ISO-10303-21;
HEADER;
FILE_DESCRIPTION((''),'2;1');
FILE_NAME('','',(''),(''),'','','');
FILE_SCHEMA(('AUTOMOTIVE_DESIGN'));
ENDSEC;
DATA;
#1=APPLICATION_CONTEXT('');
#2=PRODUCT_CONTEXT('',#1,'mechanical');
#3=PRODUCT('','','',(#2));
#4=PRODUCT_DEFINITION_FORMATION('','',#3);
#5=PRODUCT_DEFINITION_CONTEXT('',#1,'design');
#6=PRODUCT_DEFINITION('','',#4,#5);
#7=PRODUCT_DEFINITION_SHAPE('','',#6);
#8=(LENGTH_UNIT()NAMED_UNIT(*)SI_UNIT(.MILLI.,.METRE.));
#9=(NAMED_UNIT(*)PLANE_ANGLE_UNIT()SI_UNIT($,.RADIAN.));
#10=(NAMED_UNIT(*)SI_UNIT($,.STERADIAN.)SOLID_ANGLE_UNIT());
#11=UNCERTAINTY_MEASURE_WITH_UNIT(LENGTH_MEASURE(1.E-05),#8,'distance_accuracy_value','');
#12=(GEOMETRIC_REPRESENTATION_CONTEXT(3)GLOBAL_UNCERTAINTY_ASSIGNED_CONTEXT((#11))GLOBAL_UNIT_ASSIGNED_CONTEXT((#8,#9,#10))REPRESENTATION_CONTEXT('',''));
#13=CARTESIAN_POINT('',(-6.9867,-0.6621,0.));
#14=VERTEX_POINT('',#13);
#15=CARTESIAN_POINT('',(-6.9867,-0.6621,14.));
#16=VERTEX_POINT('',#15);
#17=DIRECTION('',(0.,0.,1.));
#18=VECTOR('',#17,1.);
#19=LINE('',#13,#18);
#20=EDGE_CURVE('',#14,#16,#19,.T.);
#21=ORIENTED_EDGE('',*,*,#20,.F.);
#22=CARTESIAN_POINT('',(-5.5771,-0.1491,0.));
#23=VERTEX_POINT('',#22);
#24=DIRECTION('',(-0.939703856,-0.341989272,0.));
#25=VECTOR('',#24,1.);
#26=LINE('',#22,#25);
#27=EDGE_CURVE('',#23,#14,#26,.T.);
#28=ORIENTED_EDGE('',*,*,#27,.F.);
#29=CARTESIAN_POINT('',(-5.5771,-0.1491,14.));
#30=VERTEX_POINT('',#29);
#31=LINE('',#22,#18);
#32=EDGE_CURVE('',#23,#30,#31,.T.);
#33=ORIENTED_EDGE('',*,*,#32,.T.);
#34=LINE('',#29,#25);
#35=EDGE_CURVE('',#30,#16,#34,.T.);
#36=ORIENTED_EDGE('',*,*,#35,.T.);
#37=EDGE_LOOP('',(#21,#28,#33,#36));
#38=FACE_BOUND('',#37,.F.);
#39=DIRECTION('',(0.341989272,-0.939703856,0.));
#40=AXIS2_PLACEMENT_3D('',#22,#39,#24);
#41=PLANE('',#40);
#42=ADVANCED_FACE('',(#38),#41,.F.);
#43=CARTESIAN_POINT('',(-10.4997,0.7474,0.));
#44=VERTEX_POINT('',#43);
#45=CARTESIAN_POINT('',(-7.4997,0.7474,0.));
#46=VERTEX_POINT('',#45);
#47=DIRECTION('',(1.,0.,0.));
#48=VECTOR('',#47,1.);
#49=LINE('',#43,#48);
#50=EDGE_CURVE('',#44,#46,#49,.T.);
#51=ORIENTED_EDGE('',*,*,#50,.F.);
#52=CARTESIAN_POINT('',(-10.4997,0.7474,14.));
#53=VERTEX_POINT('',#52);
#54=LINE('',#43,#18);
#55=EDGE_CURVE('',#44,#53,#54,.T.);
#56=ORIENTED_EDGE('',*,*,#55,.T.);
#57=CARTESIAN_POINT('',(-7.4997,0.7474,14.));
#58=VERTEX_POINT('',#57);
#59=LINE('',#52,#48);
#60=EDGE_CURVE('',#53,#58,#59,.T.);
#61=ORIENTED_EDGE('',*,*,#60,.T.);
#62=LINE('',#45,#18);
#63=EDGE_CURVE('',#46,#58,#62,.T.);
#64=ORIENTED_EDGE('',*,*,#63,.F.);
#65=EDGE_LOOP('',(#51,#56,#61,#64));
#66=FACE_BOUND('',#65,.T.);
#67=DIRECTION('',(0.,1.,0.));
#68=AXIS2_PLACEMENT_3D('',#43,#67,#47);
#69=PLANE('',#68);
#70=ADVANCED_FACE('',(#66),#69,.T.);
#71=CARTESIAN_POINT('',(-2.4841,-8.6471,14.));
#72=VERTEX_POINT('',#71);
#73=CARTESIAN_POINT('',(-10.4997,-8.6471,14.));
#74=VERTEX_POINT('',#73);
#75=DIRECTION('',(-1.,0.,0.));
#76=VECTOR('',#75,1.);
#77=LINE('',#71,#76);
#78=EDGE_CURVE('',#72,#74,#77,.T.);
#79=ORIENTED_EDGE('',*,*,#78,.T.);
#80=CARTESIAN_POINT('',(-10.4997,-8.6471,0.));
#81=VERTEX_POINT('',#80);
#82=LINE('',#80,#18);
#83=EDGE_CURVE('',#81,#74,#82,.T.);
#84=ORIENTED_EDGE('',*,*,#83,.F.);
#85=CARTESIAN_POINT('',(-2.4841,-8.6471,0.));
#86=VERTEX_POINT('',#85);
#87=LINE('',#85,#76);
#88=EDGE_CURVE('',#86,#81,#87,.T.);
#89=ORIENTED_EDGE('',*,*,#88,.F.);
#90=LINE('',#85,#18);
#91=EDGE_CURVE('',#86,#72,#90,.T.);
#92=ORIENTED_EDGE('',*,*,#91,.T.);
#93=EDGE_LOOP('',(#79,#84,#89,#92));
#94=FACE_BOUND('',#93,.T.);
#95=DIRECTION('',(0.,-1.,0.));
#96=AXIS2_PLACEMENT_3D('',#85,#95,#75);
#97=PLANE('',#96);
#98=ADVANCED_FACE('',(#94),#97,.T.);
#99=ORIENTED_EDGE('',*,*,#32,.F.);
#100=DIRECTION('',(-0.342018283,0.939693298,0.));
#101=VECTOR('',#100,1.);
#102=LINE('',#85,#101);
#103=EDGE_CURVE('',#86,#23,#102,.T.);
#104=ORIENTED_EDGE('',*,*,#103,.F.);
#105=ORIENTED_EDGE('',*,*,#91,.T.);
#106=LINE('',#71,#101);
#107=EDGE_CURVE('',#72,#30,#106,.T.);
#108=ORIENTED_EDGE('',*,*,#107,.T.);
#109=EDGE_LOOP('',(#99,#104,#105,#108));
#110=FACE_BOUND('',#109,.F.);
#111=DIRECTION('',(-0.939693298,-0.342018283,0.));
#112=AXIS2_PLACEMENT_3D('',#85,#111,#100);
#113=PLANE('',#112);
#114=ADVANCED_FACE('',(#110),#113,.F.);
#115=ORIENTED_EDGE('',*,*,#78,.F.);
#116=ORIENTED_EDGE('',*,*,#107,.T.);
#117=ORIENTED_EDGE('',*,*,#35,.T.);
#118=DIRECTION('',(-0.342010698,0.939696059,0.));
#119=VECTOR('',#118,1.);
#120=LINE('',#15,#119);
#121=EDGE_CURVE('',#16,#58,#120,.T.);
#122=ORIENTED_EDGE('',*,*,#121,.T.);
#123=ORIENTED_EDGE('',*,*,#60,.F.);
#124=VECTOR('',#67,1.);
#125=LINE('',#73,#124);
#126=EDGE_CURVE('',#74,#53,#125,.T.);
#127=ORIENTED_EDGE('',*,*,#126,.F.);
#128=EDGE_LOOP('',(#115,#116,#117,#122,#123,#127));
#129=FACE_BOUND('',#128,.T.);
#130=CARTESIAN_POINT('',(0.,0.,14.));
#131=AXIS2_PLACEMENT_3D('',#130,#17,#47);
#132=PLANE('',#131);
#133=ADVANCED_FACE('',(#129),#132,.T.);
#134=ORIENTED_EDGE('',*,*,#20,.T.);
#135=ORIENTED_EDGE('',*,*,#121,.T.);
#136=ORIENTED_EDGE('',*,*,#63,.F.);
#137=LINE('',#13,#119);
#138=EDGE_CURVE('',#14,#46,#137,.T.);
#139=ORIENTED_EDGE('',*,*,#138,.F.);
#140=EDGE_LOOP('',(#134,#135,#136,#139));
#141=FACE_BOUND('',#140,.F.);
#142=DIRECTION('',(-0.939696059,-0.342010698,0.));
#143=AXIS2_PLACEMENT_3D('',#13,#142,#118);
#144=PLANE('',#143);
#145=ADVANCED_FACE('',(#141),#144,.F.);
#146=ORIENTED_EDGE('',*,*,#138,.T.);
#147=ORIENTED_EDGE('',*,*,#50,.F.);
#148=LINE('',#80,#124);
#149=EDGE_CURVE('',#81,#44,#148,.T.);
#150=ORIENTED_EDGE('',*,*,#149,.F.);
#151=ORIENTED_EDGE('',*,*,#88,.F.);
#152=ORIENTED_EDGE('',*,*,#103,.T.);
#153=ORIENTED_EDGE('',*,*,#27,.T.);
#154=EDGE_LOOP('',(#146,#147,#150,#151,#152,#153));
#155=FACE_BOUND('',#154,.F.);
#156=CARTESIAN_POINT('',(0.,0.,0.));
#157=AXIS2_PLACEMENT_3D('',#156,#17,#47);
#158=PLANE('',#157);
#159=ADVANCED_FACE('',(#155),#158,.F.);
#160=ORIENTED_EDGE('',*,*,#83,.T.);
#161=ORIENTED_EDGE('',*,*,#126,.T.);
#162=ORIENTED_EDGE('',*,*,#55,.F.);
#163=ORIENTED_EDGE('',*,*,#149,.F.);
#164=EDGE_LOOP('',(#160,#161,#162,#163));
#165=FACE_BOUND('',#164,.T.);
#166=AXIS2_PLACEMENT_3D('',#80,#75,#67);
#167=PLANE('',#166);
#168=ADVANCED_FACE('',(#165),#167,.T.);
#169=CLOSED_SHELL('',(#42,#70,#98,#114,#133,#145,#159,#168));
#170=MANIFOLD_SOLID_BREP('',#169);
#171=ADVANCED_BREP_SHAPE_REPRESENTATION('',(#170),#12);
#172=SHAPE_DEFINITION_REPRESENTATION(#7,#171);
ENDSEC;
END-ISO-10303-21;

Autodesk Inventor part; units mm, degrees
ref_plane "YZ Plane" through (0, 0, 0) normal (1, 0, 0) x (0, 1, 0)
ref_plane "XZ Plane" through (0, 0, 0) normal (0, 1, 0) x (-1, 0, 0)
ref_plane "XY Plane" through (0, 0, 0) normal (0, 0, 1) x (1, 0, 0)
sketch "Sketch1" plane through (0, 0, 0) normal (0, 0, 1) x (1, 0, 0)
  line L0 (-5.5771, -0.1491) -> (-6.9867, -0.6621)
  line L1 (-6.9867, -0.6621) -> (-7.4997, 0.7474)
  line L2 (-2.4841, -8.6471) -> (-10.4997, -8.6471)
  line L3 (-10.4997, -8.6471) -> (-10.4997, 0.7474)
  line L4 (-10.4997, 0.7474) -> (-7.4997, 0.7474)
  line L5 (-2.4841, -8.6471) -> (-5.5771, -0.1491)
  dimension "d8" = 3
  dimension "d10" = 70
  dimension "d11" = 8.498
  dimension "d12" = 1.5
  dimension "d13" = 1.5
extrude "Extrusion1" add sketch "Sketch1" along normal blind 14
properties part number "rigid connector"
